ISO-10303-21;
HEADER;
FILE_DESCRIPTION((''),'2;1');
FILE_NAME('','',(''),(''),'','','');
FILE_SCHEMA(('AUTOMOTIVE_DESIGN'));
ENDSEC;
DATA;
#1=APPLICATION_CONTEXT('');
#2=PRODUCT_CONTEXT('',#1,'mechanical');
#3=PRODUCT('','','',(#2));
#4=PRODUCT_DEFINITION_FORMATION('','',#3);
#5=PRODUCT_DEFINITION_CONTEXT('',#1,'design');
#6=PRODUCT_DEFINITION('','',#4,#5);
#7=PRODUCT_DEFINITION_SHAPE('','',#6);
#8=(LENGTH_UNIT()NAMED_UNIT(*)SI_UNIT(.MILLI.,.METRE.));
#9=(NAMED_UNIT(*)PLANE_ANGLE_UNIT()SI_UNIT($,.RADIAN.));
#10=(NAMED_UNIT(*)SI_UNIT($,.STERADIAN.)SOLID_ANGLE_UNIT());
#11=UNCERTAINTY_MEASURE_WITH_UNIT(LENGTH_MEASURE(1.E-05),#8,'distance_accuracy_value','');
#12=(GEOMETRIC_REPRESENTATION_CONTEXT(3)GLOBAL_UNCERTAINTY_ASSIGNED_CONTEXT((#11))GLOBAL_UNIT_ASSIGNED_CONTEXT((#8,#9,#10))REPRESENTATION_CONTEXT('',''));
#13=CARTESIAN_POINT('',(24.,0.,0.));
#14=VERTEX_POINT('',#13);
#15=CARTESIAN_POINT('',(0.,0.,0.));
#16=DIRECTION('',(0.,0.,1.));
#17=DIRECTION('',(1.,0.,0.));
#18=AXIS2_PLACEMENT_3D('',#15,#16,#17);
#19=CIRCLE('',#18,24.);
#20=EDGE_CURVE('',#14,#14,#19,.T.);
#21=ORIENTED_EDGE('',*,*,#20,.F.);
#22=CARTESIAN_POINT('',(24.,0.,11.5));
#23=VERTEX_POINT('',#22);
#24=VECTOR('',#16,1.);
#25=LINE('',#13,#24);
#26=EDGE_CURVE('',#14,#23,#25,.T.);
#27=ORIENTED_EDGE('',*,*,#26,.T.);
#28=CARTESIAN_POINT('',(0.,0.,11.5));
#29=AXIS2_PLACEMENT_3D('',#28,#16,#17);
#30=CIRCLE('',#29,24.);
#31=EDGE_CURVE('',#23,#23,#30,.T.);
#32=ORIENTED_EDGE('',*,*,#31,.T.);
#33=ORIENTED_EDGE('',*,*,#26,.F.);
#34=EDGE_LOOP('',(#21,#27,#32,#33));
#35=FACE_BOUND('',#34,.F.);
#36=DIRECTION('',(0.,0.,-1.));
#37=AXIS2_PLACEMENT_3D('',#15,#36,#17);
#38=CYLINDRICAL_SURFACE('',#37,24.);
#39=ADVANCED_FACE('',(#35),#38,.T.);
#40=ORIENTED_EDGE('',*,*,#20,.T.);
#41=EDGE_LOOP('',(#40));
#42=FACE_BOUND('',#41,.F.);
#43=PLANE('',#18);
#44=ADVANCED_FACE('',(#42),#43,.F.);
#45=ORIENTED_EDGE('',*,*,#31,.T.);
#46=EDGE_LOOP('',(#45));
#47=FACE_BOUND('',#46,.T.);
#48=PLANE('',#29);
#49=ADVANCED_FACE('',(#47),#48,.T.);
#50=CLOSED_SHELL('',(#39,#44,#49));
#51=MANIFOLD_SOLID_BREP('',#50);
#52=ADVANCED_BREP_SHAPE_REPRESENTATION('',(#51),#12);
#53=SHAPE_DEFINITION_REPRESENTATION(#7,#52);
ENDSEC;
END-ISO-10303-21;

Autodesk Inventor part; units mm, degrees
ref_plane "YZ Plane" through (0, 0, 0) normal (1, 0, 0) x (0, 1, 0)
ref_plane "XZ Plane" through (0, 0, 0) normal (0, 1, 0) x (-1, 0, 0)
ref_plane "XY Plane" through (0, 0, 0) normal (0, 0, 1) x (1, 0, 0)
sketch "Sketch1" plane through (0, 0, 0) normal (0, 0, 1) x (1, 0, 0)
  circle A0 centre (0, 0) radius 24
  dimension "d0" = 48
extrude "Extrusion1" add sketch "Sketch1" along normal blind 11.5
properties part number "wheel"
